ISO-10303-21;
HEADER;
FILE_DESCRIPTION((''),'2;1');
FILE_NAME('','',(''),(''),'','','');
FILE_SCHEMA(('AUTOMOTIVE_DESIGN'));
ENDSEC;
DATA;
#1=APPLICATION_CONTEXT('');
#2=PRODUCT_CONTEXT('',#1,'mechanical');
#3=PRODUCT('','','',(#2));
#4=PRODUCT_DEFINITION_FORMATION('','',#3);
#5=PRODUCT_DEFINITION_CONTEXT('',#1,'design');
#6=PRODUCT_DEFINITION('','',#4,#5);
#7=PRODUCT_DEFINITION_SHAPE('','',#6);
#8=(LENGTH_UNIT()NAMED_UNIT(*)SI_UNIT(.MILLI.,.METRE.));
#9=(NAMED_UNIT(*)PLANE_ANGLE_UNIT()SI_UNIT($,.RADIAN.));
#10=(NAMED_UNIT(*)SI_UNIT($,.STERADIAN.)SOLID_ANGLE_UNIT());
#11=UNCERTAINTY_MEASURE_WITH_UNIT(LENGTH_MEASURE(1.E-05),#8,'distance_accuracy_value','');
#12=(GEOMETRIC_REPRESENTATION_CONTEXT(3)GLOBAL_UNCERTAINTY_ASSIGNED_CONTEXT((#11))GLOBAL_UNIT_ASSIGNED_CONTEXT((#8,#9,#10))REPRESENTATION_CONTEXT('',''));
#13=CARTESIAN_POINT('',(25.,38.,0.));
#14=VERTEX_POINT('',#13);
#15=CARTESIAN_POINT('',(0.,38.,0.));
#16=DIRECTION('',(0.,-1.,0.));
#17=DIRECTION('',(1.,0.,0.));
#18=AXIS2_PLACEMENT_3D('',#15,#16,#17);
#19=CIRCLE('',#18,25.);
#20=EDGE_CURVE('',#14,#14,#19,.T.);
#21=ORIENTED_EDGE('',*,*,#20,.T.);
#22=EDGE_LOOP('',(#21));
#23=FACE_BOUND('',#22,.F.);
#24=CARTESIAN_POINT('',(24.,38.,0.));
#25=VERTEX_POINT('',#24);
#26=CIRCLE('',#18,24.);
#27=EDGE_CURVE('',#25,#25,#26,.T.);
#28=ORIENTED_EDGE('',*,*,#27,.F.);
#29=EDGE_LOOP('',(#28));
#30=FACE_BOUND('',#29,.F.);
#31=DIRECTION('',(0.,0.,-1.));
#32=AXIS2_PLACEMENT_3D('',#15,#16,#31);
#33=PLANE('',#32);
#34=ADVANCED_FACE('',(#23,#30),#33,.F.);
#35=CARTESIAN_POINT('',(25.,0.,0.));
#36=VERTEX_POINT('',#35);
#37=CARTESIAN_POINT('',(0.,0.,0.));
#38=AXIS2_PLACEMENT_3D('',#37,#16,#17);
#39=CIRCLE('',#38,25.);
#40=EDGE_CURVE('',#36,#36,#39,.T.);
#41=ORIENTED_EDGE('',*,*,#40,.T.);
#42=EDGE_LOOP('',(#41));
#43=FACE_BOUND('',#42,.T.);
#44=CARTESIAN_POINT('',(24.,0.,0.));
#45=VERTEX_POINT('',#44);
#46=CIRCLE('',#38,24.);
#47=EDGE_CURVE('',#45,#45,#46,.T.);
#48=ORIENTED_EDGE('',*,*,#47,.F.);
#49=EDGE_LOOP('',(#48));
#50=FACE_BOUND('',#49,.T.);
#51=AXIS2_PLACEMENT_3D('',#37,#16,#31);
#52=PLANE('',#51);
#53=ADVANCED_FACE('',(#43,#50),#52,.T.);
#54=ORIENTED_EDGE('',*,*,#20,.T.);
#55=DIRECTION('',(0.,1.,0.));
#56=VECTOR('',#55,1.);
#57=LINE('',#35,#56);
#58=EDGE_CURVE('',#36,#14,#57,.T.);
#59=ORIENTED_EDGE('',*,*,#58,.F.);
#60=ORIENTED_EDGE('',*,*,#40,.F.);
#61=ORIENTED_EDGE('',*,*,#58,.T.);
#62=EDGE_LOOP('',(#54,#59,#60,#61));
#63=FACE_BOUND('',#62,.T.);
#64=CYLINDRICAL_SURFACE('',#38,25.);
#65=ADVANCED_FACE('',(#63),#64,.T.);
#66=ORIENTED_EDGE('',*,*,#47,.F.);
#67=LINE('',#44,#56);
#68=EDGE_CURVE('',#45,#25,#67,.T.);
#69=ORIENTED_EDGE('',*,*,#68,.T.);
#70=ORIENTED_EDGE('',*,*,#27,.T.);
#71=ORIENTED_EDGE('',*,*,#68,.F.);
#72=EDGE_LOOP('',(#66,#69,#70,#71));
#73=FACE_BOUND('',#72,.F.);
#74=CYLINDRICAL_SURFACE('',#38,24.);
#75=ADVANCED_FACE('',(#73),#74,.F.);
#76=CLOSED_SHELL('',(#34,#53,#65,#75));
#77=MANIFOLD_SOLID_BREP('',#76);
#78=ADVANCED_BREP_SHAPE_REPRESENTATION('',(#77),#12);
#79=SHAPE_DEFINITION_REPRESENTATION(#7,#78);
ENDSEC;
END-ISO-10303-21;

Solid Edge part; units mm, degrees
sketch "Sketch1" plane through (0, 0, 0) normal (0, -1, 0) x (1, 0, 0)
  circle A0 centre (0, 0) radius 24
  circle A1 centre (0, 0) radius 25
  dimension "D1" = 48
  dimension "D2" = 50
extrude "Protrusion1" add sketch "Sketch1" against normal blind 38
